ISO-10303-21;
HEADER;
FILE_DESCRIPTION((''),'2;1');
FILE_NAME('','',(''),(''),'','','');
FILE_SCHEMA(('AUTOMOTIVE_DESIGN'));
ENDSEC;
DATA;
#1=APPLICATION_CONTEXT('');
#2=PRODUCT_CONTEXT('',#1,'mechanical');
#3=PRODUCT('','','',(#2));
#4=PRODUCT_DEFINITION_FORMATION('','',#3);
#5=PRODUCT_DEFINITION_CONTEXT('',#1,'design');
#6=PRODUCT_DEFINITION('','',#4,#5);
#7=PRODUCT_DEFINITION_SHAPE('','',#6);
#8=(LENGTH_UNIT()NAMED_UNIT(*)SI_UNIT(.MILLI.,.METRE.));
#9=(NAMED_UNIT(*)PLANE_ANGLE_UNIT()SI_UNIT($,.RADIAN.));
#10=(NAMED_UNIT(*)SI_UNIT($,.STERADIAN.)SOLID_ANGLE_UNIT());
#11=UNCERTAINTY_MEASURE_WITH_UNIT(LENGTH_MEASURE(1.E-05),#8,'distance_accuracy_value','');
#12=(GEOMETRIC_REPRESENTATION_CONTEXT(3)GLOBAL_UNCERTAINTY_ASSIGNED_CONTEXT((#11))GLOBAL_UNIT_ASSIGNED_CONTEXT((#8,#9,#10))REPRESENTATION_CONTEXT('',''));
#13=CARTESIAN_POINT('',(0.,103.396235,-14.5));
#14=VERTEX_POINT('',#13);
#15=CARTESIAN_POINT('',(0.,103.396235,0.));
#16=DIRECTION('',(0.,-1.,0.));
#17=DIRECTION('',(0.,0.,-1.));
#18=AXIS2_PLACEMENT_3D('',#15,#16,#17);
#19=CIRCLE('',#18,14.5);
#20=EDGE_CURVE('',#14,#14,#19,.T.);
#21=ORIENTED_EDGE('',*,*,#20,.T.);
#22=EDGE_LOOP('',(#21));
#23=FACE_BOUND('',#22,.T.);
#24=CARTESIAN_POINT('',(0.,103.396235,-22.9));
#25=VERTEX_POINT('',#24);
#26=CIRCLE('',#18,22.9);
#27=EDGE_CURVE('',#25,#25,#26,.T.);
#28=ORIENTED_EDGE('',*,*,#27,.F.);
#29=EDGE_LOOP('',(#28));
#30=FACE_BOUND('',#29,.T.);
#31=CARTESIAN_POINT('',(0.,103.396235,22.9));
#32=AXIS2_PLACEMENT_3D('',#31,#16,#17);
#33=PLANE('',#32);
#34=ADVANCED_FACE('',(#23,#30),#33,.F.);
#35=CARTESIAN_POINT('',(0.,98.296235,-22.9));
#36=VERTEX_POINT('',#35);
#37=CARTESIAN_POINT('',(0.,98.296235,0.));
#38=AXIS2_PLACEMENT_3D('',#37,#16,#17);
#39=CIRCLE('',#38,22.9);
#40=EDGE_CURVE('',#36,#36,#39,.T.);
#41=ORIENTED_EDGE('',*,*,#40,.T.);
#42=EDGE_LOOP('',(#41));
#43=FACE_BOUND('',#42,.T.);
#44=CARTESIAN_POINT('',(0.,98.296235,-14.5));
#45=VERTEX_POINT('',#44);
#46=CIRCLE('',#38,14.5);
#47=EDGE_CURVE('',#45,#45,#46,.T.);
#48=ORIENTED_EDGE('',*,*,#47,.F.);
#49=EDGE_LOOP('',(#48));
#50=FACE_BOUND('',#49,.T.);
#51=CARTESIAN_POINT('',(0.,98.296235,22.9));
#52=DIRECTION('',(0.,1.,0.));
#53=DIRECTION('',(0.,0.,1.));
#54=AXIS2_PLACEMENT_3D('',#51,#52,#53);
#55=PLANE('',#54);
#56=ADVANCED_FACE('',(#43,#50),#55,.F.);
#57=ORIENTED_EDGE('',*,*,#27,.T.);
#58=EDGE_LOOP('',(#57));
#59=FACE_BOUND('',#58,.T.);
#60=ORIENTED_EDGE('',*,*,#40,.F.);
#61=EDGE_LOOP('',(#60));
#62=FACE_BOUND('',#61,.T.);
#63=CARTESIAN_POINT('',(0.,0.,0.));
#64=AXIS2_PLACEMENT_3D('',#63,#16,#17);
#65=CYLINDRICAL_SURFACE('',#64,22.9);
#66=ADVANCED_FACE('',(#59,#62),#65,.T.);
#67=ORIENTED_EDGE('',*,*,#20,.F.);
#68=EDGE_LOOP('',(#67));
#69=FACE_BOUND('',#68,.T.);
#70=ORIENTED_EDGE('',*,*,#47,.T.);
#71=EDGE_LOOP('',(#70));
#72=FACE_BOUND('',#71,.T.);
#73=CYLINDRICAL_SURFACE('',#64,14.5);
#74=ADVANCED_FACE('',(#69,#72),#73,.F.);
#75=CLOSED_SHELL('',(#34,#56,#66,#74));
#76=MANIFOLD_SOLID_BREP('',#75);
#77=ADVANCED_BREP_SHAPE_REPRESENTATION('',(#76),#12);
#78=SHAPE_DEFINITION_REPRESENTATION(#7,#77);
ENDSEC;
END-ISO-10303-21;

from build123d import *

# Parameters (mm, degrees)
SKIZZE1_W = 8.4
SKIZZE1_H = 5.1


with BuildPart() as part:
    # Skizze1 → Rotation1 (revolve)
    with BuildSketch(Plane(origin=(0, 0, 0), x_dir=(0, 0, -1), z_dir=(1, 0, 0)), mode=Mode.PRIVATE) as rotation1_sk:
        with Locations((-18.7, 100.846234849)):
            Rectangle(SKIZZE1_W, SKIZZE1_H)
    revolve(rotation1_sk.sketch.rotate(Axis((0, 0, 0), (0, 1, 0)), 180), axis=Axis((0, 0, 0), (0, 1, 0)))


solid = part.part
